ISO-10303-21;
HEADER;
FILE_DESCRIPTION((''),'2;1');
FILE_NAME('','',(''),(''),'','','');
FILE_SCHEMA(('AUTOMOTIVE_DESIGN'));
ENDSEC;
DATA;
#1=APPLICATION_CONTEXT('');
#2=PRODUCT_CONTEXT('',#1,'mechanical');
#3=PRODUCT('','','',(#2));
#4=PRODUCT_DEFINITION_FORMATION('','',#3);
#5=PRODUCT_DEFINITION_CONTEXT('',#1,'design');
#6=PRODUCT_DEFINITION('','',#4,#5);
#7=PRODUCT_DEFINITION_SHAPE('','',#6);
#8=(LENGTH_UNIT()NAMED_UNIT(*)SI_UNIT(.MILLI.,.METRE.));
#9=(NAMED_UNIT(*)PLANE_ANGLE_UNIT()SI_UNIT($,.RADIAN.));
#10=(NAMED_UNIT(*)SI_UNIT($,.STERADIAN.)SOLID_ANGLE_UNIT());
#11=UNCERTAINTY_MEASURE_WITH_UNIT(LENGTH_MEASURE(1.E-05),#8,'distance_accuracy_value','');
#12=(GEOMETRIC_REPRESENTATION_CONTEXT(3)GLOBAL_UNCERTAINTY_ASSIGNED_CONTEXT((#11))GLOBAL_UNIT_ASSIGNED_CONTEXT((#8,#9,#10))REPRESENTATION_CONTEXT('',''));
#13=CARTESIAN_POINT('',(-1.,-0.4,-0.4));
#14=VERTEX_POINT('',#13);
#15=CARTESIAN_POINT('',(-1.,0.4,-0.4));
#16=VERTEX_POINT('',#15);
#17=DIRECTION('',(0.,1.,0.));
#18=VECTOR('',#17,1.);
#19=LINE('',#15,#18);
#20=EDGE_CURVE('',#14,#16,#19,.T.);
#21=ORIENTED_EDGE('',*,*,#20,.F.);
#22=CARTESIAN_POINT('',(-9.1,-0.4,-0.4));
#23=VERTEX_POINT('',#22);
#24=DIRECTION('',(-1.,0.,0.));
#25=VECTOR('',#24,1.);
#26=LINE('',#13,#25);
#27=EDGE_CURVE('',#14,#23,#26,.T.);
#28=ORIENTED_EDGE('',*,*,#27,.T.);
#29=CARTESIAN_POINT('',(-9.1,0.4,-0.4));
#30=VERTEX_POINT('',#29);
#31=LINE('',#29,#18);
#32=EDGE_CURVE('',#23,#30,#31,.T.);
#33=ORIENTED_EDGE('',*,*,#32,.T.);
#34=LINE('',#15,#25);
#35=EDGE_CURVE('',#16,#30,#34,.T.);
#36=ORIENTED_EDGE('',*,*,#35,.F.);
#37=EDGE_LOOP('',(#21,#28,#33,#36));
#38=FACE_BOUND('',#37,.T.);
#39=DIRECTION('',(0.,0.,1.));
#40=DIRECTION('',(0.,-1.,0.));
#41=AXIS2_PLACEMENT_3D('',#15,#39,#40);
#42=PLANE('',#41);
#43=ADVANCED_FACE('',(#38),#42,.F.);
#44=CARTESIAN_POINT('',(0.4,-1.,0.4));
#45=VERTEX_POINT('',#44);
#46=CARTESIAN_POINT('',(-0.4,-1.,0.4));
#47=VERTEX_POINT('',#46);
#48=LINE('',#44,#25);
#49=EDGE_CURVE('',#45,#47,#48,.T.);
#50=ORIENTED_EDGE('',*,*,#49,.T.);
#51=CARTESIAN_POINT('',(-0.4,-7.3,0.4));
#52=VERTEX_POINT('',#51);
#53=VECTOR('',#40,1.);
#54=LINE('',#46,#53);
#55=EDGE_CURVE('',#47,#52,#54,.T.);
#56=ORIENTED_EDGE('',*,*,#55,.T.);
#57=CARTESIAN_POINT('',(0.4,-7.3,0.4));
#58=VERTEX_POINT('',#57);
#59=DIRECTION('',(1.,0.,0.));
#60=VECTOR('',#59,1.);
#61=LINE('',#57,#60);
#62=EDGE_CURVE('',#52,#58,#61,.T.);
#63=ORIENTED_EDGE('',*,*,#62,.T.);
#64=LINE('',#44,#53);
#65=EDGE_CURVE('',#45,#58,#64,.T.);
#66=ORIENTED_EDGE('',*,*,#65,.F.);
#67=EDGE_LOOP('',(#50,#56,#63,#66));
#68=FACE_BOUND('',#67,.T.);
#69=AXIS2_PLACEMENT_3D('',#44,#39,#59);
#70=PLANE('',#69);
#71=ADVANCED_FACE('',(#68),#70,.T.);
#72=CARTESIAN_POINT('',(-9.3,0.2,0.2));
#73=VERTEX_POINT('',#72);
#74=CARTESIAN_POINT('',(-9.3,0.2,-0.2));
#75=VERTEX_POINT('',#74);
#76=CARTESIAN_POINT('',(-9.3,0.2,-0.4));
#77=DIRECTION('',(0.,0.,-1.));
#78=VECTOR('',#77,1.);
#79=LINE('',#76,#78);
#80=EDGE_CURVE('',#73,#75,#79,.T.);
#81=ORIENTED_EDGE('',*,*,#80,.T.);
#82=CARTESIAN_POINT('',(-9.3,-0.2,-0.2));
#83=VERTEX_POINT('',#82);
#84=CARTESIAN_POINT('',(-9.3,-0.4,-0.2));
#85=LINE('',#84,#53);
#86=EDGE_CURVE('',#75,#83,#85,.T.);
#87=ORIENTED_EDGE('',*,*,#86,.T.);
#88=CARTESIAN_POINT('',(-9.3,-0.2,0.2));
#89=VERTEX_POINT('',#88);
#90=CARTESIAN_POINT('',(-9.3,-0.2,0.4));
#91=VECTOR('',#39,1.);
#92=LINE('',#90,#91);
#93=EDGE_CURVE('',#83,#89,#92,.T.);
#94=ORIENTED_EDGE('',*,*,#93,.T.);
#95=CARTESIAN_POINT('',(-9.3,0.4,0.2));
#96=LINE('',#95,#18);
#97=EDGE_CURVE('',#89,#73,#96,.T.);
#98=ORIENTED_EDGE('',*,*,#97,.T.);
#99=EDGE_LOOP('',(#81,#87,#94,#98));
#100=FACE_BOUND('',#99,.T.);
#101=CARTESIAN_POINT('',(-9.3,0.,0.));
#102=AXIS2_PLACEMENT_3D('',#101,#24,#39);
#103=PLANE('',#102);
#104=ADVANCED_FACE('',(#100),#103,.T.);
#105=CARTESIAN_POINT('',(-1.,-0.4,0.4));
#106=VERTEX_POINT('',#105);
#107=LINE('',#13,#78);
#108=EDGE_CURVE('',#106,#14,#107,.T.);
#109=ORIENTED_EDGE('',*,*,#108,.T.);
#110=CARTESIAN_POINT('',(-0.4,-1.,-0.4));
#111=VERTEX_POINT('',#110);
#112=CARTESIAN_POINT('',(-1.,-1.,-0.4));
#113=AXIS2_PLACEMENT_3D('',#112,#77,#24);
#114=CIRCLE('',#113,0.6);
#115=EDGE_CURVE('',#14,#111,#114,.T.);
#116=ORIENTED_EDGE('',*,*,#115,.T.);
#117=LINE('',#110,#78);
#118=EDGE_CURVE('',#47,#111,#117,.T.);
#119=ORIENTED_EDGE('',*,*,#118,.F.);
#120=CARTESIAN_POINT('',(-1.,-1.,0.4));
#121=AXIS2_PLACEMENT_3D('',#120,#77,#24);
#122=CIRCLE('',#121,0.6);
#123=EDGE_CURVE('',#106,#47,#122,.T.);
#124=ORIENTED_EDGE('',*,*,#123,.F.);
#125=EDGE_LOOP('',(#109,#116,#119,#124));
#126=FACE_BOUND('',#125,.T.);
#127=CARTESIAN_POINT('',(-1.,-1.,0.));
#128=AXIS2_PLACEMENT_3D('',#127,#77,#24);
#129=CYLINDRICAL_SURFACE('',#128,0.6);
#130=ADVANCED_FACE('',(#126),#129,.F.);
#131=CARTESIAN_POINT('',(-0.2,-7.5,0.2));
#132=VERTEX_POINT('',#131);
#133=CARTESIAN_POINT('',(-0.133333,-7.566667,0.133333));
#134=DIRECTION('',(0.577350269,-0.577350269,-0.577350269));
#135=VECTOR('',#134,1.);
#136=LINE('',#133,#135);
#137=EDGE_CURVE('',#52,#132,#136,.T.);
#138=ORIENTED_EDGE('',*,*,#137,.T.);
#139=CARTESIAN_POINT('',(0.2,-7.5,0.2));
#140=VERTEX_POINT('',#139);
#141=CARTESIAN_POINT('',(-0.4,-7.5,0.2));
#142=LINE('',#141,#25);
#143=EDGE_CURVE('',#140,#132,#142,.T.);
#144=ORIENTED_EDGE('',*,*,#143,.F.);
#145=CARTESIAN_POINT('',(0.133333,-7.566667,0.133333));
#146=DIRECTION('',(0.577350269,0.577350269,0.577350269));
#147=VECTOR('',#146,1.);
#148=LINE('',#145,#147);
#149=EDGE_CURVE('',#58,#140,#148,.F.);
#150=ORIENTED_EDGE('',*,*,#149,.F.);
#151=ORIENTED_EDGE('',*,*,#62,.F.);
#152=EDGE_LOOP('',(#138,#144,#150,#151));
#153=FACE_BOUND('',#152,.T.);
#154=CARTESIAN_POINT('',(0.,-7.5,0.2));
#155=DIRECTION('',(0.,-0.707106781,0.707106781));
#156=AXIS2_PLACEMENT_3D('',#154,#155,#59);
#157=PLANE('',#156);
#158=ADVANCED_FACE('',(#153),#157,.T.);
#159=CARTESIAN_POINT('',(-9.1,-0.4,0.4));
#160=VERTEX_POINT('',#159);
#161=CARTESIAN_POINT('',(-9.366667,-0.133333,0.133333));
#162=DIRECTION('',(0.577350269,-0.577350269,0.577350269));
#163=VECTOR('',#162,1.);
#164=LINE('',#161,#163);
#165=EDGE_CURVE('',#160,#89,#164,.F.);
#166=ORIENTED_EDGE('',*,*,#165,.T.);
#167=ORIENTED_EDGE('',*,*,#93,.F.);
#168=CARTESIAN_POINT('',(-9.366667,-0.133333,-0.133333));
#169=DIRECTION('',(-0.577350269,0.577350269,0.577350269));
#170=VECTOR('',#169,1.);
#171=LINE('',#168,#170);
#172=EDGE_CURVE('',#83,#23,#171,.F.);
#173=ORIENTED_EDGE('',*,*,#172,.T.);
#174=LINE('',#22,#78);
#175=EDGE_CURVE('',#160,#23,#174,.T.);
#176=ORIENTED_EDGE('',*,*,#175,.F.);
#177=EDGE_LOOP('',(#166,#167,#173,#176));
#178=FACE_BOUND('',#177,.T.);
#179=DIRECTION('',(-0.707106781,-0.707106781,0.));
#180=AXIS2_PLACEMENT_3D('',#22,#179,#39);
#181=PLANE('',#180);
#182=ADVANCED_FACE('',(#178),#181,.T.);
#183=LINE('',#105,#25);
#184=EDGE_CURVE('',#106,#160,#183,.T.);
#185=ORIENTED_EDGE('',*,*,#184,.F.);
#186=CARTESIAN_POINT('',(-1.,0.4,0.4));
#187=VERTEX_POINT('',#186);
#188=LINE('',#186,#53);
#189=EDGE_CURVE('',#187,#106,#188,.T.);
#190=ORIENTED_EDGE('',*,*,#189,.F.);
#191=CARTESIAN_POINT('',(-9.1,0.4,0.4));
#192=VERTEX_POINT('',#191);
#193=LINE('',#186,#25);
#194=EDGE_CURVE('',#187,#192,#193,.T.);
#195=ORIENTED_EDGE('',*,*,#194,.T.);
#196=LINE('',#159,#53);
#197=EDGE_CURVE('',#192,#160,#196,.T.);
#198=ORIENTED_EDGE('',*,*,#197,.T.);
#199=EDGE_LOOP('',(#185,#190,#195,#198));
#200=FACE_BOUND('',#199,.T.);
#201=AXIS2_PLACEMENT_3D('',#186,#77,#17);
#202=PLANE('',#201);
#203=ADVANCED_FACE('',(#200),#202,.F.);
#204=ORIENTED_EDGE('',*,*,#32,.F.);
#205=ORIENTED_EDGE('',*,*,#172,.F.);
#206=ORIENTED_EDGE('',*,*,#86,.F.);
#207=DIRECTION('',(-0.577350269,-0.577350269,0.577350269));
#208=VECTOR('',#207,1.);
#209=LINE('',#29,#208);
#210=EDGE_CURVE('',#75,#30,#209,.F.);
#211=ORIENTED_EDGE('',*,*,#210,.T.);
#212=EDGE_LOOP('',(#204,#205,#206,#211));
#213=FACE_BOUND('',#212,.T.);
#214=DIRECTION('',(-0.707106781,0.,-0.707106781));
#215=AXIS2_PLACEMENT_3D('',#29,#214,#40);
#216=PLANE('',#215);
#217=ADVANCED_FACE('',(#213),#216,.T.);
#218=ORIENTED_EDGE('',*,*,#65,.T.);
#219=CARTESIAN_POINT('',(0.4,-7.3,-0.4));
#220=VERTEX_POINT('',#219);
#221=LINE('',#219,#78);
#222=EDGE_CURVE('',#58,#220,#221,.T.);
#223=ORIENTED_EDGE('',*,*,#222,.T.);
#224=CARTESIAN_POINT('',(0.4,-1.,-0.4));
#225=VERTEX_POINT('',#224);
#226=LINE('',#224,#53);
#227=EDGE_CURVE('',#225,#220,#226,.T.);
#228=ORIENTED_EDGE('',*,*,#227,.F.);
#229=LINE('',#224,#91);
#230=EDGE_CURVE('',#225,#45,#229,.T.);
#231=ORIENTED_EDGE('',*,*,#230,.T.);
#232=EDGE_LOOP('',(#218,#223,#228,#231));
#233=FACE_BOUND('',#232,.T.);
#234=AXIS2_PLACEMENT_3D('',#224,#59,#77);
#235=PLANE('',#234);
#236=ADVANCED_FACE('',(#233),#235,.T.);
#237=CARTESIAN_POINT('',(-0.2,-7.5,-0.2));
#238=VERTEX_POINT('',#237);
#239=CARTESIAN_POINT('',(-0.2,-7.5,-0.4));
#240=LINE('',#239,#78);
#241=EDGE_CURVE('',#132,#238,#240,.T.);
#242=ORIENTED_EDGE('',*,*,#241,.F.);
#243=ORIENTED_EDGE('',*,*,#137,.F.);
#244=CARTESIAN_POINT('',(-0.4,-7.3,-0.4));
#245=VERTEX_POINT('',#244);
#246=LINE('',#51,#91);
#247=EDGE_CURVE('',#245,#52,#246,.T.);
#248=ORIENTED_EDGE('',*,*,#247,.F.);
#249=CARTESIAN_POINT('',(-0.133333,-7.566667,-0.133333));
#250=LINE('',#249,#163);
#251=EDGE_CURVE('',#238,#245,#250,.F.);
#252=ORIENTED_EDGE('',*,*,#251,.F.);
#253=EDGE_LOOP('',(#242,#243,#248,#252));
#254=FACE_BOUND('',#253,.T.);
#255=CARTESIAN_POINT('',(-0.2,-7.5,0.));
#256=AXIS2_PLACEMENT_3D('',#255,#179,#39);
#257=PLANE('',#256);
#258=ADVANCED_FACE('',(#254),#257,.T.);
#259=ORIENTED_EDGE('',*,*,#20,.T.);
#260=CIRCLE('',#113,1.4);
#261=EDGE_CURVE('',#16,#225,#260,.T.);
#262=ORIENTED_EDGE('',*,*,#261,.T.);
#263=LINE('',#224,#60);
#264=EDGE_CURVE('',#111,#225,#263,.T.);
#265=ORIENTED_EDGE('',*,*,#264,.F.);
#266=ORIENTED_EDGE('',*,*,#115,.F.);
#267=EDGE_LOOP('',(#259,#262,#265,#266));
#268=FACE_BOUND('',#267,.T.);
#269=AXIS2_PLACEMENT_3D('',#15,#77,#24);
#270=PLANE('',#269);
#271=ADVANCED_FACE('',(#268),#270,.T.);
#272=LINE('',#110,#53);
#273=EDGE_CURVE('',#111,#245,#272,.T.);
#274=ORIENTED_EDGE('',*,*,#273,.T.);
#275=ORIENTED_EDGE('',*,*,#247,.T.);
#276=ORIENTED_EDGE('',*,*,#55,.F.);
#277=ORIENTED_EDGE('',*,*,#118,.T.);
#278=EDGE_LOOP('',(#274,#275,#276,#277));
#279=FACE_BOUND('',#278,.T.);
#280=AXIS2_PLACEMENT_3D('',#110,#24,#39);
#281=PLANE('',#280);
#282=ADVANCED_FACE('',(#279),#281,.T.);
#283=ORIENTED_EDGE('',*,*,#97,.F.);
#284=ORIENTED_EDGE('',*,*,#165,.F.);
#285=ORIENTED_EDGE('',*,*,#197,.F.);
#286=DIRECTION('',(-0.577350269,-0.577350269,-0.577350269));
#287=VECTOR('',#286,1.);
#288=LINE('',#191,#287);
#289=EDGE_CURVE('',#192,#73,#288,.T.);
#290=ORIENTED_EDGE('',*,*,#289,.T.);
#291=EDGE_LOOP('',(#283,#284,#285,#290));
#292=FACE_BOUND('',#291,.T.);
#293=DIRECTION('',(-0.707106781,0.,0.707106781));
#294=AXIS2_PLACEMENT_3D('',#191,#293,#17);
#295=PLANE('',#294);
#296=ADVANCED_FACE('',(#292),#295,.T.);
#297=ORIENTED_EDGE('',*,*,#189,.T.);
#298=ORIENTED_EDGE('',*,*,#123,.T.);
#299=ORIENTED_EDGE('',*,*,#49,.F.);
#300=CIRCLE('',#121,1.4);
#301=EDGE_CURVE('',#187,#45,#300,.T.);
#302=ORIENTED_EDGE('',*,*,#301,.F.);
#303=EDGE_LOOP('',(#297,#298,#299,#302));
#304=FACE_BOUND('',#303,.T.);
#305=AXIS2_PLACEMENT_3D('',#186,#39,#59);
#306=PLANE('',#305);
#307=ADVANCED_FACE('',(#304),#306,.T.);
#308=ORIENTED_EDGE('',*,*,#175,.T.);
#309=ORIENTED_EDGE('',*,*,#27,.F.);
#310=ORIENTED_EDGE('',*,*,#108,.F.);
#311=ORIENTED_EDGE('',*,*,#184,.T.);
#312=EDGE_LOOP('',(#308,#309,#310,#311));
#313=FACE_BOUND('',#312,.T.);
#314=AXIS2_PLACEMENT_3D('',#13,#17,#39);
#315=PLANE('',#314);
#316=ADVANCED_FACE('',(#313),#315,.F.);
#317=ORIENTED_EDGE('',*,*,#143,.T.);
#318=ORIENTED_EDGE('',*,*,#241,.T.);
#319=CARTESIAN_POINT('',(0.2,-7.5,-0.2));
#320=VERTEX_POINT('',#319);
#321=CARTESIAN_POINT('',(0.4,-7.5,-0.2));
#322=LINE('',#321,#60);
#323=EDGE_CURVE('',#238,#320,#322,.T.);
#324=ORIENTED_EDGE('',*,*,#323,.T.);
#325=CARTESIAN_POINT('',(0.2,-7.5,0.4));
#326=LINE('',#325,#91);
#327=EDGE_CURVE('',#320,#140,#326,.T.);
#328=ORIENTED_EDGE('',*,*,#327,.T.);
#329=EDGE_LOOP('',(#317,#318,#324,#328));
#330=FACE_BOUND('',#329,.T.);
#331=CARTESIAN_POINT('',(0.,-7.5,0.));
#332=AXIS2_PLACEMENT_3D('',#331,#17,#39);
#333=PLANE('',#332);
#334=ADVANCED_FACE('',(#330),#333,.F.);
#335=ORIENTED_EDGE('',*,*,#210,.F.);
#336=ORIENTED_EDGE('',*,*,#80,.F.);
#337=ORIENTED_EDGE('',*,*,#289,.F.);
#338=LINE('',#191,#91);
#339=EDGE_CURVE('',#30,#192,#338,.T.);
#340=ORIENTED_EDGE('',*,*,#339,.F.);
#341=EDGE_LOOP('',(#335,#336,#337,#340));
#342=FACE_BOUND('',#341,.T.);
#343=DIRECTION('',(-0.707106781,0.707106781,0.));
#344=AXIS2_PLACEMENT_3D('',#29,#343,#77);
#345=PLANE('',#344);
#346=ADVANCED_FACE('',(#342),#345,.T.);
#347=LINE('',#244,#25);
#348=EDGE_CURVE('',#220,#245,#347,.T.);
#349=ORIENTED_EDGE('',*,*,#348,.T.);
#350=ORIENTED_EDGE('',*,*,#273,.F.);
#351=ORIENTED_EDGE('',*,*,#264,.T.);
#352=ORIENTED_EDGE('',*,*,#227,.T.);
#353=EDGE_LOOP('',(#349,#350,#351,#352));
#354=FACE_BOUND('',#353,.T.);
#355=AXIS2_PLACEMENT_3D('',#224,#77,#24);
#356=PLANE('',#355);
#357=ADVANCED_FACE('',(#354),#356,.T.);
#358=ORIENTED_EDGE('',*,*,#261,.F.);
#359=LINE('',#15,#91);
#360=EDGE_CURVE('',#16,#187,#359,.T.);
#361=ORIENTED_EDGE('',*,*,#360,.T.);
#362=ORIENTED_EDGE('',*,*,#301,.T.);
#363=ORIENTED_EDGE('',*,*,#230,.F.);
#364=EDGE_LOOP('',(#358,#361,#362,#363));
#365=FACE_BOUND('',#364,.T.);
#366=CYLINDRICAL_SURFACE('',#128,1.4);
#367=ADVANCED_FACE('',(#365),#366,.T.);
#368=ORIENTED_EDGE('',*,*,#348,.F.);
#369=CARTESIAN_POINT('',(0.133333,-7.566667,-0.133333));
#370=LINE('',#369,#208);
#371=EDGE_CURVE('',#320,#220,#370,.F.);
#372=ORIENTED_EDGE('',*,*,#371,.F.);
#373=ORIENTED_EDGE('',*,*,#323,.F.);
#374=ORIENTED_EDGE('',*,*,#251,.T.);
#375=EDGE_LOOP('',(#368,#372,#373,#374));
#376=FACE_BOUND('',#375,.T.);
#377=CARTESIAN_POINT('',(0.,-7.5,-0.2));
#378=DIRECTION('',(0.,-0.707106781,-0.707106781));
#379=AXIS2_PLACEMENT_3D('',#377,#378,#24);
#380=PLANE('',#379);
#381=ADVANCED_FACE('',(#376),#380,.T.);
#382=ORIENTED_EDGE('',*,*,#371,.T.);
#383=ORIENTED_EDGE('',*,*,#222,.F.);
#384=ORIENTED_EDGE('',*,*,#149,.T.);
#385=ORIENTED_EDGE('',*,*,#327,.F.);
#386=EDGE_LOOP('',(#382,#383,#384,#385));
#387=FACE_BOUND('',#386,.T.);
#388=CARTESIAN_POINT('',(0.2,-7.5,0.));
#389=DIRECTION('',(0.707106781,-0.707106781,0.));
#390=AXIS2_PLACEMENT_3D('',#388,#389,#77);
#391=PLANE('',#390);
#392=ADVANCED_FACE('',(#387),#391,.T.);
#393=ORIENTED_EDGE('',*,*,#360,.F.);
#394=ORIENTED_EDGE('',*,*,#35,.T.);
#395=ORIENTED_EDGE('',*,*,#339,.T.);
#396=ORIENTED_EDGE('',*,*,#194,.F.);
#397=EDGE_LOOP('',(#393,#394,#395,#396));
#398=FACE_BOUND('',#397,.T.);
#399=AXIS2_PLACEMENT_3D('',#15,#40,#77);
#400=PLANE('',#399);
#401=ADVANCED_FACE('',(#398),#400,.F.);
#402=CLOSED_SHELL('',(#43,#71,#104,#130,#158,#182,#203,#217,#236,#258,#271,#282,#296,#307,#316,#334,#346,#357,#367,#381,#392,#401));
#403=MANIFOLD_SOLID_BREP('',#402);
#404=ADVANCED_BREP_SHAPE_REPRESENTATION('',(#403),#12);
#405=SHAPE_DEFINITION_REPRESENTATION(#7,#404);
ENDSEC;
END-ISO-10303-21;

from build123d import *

# Parameters (mm, degrees)
SKETCH2_W     = 0.8
SKETCH2_H     = 0.8
CHAMFER1_SIZE = 0.2


with BuildPart() as part:
    # Sweep1: sweep along a path in Sketch1
    with BuildLine(Plane.XY) as sweep1_path:
        Line((-9.3, 0), (-1, 0))
        ThreePointArc((-1, 0), (-0.292893219, -0.292893219), (0, -1))
        Line((0, -1), (0, -7.5))
    # Sketch2 → Sweep1 (sweep)
    with BuildSketch(Plane(origin=(-9.3, 0, 0), x_dir=(0, 0, -1), z_dir=(1, 0, 0))):
        Rectangle(SKETCH2_W, SKETCH2_H)
    sweep(path=sweep1_path.line)

    # Chamfer1
    chamfer1_edges = [part.edges().sort_by_distance(p)[0] for p in [
        (0, -7.5, 0.4),
        (0.4, -7.5, 0),
        (0, -7.5, -0.4),
        (-0.4, -7.5, 0),
        (-9.3, 0.4, 0),
        (-9.3, 0, -0.4),
        (-9.3, -0.4, 0),
        (-9.3, 0, 0.4),
    ]]
    chamfer(chamfer1_edges, length=CHAMFER1_SIZE)


solid = part.part
